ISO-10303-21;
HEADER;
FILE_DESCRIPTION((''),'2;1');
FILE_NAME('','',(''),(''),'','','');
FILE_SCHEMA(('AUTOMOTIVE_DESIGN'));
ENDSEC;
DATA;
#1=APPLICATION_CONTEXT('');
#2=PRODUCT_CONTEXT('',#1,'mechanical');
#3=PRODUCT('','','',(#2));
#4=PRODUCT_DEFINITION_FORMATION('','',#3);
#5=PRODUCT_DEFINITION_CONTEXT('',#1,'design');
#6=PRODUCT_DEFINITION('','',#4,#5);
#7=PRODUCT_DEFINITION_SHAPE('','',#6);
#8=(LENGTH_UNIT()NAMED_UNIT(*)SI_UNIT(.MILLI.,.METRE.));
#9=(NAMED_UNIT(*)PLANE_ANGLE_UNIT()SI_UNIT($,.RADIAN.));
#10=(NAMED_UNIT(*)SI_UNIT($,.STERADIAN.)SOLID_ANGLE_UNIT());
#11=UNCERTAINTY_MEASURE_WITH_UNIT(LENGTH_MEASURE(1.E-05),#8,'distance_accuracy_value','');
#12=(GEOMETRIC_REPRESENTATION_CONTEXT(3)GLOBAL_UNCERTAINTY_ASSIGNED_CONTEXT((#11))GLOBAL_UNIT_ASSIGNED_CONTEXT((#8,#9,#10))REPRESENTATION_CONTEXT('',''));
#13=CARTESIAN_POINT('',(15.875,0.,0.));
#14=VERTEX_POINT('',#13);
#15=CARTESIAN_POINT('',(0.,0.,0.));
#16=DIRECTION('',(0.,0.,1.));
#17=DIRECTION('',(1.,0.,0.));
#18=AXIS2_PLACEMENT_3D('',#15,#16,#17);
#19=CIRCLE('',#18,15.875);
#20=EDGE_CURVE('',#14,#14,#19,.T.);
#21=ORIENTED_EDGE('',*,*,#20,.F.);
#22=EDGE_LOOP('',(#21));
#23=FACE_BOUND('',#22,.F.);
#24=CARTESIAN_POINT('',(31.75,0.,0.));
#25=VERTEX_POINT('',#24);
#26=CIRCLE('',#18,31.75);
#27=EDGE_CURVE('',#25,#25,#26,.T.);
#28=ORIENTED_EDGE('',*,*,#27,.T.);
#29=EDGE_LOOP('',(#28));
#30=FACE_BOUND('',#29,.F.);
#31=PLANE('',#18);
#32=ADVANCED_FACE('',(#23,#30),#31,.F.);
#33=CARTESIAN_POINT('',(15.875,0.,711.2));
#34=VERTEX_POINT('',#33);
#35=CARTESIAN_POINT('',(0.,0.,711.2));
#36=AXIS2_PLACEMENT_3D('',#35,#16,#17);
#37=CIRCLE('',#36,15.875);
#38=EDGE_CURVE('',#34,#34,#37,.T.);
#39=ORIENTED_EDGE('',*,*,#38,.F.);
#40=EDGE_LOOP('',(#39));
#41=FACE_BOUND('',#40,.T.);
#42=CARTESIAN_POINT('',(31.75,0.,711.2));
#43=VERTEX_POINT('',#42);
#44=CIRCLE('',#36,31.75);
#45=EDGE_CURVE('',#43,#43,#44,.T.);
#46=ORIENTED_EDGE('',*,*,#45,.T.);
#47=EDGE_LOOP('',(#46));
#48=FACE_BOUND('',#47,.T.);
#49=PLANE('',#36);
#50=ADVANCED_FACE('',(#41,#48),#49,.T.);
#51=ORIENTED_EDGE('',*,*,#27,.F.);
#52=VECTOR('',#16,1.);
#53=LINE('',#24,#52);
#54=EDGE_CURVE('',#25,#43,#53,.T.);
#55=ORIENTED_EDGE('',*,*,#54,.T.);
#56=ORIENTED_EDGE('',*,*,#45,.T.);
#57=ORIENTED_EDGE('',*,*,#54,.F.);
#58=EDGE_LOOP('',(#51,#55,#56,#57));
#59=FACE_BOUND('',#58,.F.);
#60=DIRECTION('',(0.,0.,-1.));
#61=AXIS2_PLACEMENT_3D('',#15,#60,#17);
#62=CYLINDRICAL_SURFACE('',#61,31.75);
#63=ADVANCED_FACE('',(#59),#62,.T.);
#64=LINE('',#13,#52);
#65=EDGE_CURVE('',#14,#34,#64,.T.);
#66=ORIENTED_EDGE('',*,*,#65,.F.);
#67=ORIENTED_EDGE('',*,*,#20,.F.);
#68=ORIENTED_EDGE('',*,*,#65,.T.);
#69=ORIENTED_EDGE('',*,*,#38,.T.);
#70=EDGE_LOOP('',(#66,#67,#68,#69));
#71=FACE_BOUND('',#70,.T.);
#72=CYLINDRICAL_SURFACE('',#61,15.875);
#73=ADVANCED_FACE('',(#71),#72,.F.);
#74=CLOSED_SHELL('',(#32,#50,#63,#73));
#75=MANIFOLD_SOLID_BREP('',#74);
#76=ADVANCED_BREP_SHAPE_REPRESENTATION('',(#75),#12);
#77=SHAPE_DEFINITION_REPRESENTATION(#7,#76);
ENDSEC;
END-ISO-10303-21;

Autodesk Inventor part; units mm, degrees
ref_plane "YZ Plane" through (0, 0, 0) normal (1, 0, 0) x (0, 1, 0)
ref_plane "XZ Plane" through (0, 0, 0) normal (0, 1, 0) x (-1, 0, 0)
ref_plane "XY Plane" through (0, 0, 0) normal (0, 0, 1) x (1, 0, 0)
sketch "Sketch1" plane through (0, 0, 0) normal (0, 0, 1) x (1, 0, 0)
  circle A0 centre (0, 0) radius 31.75
  circle A1 centre (0, 0) radius 15.875
  dimension "d0" = 63.5
  dimension "d1" = 31.75
extrude "Extrusion1" add sketch "Sketch1" along normal blind 711.2
properties part number "bumper_noodle"
